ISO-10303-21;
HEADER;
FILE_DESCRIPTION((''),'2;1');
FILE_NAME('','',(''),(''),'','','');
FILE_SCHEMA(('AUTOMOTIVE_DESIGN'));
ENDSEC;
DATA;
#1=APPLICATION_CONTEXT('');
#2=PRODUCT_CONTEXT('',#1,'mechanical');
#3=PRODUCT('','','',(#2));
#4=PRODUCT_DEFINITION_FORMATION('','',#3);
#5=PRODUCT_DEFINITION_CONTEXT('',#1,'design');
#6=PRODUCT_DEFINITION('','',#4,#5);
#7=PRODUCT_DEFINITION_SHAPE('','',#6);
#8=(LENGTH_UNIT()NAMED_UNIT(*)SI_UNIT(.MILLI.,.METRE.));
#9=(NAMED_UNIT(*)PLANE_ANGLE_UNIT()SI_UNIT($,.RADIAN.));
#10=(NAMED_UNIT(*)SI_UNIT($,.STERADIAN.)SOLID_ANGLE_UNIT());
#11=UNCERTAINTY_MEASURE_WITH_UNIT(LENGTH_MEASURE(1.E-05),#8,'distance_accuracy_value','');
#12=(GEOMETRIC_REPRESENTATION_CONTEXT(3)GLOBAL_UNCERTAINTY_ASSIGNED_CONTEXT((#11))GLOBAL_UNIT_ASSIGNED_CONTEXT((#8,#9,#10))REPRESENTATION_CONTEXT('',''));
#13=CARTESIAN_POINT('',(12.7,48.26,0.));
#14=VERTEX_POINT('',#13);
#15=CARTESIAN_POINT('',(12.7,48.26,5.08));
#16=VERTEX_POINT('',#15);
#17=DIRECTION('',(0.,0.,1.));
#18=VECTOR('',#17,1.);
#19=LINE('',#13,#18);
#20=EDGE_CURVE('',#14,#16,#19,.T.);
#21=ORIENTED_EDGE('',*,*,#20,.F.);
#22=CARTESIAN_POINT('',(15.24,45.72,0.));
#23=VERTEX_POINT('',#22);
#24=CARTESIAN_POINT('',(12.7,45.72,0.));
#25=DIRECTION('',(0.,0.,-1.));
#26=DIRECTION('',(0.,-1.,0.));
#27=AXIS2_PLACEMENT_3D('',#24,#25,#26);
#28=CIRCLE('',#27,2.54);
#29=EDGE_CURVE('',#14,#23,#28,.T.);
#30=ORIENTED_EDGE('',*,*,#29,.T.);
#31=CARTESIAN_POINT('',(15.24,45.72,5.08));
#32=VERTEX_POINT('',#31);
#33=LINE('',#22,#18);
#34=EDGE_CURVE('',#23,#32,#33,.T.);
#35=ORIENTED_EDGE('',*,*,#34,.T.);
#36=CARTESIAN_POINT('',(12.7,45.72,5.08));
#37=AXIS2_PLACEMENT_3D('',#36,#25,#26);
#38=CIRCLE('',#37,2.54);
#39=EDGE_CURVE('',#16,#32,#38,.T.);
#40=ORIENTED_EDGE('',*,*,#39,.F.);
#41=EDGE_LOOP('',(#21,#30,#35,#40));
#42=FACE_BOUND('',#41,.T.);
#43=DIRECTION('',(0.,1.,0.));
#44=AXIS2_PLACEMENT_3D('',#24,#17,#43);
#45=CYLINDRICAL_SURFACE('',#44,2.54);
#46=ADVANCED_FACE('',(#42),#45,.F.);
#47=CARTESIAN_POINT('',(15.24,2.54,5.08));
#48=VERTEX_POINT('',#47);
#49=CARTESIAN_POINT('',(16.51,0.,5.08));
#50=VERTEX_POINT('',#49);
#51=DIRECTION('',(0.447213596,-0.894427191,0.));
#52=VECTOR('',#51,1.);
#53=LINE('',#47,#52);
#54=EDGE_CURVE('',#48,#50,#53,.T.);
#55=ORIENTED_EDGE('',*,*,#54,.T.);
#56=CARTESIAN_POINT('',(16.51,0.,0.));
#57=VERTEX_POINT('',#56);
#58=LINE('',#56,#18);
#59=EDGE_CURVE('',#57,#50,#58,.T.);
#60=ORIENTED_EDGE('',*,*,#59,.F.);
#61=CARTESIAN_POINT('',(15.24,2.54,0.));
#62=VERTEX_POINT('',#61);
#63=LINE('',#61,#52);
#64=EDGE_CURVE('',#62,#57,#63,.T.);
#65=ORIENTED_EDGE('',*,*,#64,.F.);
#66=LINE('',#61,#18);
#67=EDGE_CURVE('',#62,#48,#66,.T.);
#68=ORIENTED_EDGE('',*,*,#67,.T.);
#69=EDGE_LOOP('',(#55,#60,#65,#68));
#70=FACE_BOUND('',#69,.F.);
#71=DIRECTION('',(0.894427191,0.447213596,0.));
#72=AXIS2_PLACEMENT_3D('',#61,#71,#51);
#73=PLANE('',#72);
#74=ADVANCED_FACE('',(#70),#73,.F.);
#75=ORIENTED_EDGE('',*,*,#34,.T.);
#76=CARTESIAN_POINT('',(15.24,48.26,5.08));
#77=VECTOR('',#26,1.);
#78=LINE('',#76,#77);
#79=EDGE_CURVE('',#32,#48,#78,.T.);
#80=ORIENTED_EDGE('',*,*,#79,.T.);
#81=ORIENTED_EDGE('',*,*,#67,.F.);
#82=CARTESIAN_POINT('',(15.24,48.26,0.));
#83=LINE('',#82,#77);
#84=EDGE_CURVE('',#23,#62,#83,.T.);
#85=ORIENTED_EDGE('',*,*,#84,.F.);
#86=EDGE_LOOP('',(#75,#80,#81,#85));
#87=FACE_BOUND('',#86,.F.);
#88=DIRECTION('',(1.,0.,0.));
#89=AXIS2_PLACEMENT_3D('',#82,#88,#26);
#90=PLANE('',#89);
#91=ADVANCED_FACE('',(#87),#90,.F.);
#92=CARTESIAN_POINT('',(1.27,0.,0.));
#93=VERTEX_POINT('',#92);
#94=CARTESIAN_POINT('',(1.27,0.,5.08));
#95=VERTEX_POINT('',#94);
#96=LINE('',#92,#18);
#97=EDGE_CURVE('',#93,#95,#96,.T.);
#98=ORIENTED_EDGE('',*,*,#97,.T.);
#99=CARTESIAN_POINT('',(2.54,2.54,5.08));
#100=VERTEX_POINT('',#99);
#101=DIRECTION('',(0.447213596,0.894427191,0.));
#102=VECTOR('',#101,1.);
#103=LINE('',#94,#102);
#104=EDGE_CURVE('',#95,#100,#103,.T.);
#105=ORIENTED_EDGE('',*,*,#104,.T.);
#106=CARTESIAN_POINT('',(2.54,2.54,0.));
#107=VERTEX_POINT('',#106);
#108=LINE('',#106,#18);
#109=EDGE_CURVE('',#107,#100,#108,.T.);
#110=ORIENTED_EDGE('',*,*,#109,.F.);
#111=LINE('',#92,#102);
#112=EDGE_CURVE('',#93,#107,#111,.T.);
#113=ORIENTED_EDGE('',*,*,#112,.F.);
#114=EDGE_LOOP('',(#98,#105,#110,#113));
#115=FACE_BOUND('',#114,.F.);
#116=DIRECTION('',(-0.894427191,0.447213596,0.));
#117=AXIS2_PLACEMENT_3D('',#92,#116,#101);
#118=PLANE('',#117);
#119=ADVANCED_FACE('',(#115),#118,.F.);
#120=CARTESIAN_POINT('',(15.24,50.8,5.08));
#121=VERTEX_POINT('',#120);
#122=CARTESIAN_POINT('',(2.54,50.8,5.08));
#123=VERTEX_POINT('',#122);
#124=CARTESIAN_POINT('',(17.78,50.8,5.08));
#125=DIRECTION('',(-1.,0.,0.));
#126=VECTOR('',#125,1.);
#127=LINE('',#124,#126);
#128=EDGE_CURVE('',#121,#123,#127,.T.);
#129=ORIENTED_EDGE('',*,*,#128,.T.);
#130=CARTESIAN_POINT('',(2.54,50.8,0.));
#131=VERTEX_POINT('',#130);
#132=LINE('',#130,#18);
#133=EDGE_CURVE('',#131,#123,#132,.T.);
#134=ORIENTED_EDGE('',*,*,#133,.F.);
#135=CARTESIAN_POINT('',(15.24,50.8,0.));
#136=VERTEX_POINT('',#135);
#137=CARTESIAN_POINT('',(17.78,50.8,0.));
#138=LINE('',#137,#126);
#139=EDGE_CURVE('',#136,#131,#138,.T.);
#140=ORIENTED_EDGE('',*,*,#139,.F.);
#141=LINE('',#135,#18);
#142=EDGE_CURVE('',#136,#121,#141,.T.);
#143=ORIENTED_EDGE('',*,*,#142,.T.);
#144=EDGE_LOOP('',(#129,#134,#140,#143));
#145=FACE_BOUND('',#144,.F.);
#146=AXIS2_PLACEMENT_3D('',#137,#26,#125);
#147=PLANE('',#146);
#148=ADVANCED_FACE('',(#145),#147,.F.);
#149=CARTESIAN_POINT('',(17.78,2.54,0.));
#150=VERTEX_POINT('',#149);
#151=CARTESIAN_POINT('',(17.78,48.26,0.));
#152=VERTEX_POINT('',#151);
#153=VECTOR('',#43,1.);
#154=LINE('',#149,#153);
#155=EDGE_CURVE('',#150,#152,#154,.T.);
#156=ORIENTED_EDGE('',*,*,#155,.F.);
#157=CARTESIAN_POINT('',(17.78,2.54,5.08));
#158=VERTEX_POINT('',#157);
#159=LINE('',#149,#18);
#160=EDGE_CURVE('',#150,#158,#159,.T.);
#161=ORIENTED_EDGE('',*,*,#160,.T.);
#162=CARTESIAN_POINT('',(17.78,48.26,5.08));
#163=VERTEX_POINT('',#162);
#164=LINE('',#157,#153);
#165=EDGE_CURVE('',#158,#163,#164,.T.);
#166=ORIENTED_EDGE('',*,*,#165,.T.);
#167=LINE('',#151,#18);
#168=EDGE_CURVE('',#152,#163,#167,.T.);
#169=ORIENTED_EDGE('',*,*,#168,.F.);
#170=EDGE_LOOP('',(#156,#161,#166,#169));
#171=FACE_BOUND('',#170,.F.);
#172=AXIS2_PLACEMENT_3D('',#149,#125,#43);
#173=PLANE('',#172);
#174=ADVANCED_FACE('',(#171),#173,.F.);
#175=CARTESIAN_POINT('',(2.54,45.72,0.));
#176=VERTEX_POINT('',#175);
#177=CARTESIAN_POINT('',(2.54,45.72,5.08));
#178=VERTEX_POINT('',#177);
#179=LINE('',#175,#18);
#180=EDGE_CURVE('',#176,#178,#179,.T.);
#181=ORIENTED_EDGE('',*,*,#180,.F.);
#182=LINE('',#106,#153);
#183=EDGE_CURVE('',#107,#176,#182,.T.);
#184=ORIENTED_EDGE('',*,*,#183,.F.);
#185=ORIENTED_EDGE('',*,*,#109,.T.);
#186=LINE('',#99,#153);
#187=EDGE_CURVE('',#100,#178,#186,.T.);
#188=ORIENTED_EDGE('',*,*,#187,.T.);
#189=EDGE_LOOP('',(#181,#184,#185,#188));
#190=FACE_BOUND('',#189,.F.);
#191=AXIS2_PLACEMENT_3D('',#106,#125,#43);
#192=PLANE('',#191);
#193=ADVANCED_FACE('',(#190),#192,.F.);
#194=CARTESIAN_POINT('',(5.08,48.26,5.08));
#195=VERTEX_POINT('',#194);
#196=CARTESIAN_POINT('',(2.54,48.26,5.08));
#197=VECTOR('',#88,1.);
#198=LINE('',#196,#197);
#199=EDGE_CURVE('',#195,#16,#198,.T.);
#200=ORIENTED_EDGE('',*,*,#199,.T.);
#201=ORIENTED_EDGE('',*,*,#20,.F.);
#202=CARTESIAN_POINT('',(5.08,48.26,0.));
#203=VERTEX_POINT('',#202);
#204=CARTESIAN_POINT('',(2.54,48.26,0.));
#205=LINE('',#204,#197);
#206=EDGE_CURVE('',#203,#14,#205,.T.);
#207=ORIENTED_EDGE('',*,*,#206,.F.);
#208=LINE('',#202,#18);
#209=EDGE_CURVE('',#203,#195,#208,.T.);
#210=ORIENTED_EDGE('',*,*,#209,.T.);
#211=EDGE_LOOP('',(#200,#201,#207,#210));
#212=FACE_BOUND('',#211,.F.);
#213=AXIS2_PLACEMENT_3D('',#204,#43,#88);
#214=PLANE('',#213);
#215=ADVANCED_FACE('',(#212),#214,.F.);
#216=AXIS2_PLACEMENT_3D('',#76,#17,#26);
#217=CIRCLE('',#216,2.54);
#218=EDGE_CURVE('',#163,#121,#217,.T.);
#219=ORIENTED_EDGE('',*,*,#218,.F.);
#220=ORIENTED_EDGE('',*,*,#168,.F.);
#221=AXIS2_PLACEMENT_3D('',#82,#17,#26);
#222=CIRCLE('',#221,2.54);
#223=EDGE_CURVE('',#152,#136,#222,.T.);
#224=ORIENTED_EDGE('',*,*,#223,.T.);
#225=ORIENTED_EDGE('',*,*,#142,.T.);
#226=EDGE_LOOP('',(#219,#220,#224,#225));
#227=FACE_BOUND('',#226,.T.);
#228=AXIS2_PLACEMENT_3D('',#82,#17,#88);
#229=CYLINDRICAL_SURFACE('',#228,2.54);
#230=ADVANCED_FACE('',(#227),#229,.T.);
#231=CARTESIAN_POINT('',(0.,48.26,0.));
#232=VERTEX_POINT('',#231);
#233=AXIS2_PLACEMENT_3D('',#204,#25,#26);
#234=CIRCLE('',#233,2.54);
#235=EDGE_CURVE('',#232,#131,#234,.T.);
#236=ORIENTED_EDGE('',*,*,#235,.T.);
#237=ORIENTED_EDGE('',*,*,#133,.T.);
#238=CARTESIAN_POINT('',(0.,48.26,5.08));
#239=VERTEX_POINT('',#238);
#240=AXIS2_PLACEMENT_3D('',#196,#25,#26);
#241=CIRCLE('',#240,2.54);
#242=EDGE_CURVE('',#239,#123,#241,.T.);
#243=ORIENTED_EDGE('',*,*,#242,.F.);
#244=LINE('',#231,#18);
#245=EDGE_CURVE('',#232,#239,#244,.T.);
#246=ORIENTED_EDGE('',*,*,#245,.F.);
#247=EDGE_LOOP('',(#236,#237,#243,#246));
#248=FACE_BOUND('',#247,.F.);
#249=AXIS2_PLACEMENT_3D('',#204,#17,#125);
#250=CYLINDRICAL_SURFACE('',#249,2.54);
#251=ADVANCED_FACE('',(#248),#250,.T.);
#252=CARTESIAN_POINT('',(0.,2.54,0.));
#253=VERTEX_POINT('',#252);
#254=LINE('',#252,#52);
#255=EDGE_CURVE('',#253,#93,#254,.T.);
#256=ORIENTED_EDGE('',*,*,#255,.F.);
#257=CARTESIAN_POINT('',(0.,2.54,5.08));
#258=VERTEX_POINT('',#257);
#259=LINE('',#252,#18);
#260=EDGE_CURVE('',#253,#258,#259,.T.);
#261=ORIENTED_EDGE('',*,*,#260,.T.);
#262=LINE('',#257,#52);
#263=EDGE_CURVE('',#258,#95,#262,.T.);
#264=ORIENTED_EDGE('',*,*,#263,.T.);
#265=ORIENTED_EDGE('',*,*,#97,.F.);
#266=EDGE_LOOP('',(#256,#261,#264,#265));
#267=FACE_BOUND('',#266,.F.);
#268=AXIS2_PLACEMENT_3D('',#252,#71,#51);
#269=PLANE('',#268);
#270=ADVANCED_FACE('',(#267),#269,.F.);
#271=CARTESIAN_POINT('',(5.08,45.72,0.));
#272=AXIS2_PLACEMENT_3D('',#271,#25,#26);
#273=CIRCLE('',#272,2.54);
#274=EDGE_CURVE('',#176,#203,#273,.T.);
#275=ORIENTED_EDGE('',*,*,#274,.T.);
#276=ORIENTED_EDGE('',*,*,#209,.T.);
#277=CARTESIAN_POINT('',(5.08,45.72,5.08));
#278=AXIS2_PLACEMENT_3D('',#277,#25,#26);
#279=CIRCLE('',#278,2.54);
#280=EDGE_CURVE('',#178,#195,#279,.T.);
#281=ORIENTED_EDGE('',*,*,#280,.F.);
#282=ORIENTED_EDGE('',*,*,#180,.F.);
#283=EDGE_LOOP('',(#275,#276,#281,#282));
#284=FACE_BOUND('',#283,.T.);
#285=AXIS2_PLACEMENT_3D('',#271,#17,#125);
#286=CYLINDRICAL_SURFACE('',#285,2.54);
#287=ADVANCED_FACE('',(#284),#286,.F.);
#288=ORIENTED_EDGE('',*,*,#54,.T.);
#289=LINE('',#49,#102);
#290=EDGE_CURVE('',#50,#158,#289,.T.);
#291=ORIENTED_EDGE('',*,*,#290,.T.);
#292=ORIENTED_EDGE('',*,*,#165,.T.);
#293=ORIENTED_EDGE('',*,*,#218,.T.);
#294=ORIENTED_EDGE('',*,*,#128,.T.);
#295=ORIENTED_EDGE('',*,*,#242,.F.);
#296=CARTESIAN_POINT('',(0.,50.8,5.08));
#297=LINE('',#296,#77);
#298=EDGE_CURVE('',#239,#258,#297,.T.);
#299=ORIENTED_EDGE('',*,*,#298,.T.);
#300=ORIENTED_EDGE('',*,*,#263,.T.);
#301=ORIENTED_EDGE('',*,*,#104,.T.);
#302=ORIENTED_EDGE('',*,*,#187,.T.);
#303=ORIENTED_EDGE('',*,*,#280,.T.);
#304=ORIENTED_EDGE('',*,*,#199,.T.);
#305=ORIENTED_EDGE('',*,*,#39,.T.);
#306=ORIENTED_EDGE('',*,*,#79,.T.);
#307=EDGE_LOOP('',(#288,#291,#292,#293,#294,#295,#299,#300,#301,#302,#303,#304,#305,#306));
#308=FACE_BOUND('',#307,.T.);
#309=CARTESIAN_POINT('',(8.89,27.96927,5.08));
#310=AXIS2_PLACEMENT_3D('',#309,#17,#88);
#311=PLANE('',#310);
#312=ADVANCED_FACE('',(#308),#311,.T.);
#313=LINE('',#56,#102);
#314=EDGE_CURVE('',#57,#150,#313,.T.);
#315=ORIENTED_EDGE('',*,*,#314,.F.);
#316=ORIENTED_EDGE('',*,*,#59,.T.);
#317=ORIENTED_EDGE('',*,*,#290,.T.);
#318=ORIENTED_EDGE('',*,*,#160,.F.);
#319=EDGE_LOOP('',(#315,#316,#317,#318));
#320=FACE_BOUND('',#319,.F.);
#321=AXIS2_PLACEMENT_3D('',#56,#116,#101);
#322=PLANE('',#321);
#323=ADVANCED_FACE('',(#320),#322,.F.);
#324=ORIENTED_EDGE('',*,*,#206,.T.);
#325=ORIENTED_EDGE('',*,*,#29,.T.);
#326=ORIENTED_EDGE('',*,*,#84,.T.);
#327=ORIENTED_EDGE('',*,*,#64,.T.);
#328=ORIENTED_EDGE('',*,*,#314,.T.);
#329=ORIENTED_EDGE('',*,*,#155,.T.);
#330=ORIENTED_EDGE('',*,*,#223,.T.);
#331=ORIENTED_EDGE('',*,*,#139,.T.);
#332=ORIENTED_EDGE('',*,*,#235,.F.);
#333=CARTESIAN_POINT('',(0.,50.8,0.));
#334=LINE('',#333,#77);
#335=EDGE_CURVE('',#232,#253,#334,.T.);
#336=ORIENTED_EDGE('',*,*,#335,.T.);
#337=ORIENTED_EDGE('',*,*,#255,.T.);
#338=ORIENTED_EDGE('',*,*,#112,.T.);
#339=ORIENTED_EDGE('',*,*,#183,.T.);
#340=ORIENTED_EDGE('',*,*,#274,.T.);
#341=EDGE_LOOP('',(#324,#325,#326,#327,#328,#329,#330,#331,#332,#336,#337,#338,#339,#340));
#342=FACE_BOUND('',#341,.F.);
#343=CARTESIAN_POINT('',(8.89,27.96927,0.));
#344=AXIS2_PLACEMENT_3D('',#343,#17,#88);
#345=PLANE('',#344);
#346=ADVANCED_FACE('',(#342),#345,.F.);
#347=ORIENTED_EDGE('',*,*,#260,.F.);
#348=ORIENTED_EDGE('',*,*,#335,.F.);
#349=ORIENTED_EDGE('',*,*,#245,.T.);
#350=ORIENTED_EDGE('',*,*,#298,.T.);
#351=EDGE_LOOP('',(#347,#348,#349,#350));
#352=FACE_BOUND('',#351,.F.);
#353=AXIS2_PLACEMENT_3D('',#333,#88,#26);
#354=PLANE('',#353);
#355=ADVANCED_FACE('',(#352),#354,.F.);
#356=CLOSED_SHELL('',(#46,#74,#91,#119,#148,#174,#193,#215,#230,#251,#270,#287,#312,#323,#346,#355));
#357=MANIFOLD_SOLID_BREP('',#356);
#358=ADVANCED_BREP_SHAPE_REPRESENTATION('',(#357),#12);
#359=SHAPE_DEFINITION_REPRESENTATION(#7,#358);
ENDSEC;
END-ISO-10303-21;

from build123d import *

# Parameters (mm, degrees)
F1_DEPTH = 5.08
F2_R     = 2.54


with BuildPart() as f1:
    # F0 (on Top) → F1 (new body)
    with BuildSketch(Plane.XY):
        Polygon((0, 50.8), (0, 2.54), (1.27, 0), (2.54, 2.54), (2.54, 48.26), (15.24, 48.26), (15.24, 2.54), (16.51, 0), (17.78, 2.54), (17.78, 50.8), align=None)
    extrude(amount=F1_DEPTH)

    # F2
    f2_edges = [f1.edges().sort_by_distance(p)[0] for p in [
        (2.54, 48.26, 2.54),
        (15.24, 48.26, 2.54),
        (0, 50.8, 2.54),
        (17.78, 50.8, 2.54),
    ]]
    fillet(f2_edges, radius=F2_R)


solid = f1.part
